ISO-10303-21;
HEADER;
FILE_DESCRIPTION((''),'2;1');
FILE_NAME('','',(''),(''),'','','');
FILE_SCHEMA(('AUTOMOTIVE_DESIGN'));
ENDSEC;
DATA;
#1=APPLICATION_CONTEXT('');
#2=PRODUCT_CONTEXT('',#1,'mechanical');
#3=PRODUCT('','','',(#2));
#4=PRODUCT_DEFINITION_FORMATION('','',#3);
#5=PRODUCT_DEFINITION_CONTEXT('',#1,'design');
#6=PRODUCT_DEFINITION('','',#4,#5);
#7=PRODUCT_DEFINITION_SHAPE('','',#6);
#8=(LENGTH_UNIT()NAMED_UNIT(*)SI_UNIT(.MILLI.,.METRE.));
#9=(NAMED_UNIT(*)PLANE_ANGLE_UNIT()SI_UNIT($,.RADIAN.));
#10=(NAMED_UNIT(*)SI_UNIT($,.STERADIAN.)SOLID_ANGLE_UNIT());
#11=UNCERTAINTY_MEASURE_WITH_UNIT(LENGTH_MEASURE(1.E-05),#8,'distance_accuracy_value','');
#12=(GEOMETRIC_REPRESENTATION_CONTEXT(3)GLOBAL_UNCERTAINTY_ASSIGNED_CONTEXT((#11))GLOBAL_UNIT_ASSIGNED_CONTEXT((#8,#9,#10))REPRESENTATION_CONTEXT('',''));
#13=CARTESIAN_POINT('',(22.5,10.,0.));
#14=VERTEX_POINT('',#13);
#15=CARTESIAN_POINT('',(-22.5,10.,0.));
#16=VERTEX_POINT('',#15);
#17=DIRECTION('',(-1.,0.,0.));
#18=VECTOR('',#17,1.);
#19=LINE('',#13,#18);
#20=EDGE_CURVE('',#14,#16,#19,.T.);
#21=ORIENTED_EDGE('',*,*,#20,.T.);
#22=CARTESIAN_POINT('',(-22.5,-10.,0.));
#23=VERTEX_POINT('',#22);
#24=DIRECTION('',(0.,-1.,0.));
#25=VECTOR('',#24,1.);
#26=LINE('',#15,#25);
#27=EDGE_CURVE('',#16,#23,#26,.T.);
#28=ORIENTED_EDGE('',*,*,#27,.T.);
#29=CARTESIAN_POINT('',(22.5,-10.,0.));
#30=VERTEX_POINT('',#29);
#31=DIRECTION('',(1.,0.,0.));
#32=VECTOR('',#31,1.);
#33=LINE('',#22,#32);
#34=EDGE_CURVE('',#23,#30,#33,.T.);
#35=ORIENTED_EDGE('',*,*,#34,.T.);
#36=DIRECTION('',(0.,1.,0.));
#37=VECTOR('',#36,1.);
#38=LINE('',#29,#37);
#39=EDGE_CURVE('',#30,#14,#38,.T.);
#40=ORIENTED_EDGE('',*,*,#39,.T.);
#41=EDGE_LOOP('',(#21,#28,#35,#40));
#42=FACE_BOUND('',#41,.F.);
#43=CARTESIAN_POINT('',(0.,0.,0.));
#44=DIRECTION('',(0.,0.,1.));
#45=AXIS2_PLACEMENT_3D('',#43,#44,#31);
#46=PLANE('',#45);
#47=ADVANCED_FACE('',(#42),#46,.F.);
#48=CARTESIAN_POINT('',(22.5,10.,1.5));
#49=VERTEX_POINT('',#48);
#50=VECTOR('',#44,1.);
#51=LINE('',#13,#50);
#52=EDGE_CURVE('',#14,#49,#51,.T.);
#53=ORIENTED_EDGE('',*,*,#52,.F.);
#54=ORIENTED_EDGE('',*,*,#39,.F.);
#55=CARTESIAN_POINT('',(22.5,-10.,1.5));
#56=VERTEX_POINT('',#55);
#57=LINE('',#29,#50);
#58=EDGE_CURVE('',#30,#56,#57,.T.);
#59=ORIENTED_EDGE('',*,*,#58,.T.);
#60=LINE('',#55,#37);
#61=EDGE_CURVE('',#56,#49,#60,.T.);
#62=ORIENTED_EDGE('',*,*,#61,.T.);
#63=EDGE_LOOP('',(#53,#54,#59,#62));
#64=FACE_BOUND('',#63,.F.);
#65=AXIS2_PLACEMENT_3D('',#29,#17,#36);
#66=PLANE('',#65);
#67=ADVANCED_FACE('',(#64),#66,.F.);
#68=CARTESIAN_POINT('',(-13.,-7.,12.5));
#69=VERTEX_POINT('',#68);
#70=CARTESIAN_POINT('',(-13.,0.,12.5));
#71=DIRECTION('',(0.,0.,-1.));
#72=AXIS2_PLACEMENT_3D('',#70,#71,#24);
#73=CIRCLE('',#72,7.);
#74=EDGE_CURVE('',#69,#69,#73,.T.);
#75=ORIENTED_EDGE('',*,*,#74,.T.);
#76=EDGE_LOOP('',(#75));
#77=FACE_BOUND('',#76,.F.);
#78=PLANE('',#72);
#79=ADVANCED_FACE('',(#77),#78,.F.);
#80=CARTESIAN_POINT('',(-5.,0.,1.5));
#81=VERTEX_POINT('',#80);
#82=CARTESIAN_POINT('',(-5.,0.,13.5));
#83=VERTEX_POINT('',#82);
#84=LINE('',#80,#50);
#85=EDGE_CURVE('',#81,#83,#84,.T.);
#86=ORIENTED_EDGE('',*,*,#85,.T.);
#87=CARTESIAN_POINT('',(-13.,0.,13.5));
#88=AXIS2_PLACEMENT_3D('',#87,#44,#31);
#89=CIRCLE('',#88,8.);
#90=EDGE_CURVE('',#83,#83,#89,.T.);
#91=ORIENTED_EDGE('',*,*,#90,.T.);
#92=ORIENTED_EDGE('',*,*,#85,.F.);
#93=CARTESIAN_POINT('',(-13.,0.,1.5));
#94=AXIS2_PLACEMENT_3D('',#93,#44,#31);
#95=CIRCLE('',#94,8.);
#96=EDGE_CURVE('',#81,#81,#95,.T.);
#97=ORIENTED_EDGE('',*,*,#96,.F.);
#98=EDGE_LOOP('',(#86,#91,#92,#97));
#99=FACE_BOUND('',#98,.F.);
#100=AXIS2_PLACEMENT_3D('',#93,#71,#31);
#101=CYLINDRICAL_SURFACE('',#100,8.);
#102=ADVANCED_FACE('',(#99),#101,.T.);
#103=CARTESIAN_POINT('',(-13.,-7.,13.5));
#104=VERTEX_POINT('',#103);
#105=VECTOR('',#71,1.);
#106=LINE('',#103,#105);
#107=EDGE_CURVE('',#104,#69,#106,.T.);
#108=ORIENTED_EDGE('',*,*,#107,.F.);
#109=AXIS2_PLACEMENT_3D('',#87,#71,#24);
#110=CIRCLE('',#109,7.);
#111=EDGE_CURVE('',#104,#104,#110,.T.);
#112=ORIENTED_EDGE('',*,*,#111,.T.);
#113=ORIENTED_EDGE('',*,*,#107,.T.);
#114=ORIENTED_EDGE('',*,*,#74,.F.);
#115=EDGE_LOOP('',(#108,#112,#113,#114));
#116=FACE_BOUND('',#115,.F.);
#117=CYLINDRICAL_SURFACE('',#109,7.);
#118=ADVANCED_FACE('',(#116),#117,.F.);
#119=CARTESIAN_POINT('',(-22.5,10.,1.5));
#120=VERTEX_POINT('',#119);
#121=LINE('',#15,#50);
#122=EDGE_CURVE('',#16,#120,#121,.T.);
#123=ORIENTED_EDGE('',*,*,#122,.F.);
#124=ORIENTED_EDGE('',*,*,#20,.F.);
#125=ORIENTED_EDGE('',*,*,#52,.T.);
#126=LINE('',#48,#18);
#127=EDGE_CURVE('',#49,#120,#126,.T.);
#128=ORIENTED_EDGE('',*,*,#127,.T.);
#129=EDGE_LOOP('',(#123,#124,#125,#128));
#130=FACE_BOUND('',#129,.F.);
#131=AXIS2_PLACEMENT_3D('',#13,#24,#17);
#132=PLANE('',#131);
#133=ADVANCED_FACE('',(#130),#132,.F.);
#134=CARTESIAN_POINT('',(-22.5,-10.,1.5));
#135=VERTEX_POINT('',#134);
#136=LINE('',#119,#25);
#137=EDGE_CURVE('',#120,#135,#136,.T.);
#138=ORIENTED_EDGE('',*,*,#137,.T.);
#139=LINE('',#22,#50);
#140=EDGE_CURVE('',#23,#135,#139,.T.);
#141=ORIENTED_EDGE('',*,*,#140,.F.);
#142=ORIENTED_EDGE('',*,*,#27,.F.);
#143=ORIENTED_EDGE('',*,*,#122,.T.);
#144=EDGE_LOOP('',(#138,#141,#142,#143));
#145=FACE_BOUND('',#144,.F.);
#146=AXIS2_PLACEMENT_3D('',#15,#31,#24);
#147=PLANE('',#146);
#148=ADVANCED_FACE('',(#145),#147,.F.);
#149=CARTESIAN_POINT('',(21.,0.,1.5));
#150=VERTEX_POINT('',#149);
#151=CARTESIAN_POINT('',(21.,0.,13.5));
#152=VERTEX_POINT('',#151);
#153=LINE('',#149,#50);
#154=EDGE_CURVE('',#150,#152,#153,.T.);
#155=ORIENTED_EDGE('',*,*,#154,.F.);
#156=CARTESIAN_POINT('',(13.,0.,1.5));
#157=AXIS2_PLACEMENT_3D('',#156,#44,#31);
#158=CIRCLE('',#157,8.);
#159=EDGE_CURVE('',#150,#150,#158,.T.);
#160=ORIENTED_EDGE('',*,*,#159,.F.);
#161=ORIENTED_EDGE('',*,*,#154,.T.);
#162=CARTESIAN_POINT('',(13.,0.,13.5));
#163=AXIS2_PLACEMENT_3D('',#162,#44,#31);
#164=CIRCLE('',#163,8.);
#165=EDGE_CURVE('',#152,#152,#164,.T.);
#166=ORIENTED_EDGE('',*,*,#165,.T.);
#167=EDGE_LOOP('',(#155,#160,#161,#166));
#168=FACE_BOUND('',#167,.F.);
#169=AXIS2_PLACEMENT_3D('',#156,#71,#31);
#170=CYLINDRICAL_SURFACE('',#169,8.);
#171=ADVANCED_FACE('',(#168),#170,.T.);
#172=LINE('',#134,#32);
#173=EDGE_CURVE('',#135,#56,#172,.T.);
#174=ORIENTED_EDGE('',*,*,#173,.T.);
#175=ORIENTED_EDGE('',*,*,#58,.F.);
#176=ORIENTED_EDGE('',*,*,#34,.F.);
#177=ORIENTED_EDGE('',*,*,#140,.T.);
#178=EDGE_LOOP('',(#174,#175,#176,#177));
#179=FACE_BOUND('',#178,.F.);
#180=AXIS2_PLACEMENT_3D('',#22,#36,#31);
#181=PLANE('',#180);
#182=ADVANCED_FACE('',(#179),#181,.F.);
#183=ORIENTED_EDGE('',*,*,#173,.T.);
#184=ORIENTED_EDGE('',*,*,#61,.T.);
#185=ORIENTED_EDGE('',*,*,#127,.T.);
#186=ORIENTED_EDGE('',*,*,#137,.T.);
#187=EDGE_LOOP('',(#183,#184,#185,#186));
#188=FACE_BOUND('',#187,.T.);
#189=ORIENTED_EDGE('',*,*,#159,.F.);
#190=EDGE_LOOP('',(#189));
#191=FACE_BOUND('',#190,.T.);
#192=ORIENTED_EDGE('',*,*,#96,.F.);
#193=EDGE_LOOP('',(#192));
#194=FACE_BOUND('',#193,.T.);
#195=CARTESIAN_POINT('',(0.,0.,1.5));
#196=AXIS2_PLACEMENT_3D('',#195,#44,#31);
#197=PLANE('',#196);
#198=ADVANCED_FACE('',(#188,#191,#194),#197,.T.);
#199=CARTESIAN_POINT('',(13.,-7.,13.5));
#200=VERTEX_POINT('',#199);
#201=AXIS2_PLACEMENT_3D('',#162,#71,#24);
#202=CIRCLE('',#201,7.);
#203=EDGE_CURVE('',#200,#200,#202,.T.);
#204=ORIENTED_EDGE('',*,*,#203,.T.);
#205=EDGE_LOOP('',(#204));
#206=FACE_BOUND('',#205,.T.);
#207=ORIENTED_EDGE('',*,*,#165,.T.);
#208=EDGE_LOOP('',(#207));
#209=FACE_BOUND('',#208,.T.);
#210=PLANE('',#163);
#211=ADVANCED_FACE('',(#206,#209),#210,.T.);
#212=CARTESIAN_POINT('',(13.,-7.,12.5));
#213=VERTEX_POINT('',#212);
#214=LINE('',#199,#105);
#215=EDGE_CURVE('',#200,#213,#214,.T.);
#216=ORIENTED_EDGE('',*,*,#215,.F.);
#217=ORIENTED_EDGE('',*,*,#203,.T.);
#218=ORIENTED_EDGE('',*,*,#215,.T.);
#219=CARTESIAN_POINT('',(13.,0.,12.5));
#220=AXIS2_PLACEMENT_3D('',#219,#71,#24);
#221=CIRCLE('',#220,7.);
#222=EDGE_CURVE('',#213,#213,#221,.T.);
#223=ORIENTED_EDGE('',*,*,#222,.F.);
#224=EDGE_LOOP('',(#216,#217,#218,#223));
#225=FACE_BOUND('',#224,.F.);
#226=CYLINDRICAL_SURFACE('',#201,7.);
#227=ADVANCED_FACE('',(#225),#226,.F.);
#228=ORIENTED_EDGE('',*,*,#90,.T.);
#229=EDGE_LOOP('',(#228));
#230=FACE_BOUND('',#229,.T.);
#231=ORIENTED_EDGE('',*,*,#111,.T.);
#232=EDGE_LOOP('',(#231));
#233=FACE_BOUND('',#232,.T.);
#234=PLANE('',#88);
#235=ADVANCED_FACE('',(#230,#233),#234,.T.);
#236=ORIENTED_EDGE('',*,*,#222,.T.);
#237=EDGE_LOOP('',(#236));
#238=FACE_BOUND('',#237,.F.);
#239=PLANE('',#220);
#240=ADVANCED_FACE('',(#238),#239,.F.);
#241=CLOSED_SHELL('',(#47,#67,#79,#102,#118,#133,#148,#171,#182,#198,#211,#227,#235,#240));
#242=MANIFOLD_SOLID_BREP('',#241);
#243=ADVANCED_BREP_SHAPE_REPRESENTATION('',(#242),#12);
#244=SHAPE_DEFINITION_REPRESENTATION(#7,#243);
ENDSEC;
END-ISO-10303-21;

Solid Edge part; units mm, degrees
sketch "Sketch1" plane through (0, 0, 0) normal (0, 0, 1) x (1, 0, 0)
  line L0 (-22.5, -10) -> (22.5, -10)
  line L1 (22.5, -10) -> (22.5, 10)
  line L2 (22.5, 10) -> (-22.5, 10)
  line L3 (-22.5, 10) -> (-22.5, -10)
extrude "Protrusion1" add sketch "Sketch1" along normal blind 1.5
sketch "Sketch2" plane through (0, 0, 1.5) normal (0, 0, 1) x (1, 0, 0)
  circle A0 centre (-13, 0) radius 8
  circle A1 centre (13, 0) radius 8
  dimension "D1" = 26
  dimension "D2" = 9.5
extrude "ultrasone" add sketch "Sketch2" along normal blind 12
hole "Hole_1" at (-13, 0, 13.5) direction (0, 0, -1) diameter 14 depth 1
hole "Hole1" at (13, 0, 13.5) direction (0, 0, -1) diameter 14 depth 1
